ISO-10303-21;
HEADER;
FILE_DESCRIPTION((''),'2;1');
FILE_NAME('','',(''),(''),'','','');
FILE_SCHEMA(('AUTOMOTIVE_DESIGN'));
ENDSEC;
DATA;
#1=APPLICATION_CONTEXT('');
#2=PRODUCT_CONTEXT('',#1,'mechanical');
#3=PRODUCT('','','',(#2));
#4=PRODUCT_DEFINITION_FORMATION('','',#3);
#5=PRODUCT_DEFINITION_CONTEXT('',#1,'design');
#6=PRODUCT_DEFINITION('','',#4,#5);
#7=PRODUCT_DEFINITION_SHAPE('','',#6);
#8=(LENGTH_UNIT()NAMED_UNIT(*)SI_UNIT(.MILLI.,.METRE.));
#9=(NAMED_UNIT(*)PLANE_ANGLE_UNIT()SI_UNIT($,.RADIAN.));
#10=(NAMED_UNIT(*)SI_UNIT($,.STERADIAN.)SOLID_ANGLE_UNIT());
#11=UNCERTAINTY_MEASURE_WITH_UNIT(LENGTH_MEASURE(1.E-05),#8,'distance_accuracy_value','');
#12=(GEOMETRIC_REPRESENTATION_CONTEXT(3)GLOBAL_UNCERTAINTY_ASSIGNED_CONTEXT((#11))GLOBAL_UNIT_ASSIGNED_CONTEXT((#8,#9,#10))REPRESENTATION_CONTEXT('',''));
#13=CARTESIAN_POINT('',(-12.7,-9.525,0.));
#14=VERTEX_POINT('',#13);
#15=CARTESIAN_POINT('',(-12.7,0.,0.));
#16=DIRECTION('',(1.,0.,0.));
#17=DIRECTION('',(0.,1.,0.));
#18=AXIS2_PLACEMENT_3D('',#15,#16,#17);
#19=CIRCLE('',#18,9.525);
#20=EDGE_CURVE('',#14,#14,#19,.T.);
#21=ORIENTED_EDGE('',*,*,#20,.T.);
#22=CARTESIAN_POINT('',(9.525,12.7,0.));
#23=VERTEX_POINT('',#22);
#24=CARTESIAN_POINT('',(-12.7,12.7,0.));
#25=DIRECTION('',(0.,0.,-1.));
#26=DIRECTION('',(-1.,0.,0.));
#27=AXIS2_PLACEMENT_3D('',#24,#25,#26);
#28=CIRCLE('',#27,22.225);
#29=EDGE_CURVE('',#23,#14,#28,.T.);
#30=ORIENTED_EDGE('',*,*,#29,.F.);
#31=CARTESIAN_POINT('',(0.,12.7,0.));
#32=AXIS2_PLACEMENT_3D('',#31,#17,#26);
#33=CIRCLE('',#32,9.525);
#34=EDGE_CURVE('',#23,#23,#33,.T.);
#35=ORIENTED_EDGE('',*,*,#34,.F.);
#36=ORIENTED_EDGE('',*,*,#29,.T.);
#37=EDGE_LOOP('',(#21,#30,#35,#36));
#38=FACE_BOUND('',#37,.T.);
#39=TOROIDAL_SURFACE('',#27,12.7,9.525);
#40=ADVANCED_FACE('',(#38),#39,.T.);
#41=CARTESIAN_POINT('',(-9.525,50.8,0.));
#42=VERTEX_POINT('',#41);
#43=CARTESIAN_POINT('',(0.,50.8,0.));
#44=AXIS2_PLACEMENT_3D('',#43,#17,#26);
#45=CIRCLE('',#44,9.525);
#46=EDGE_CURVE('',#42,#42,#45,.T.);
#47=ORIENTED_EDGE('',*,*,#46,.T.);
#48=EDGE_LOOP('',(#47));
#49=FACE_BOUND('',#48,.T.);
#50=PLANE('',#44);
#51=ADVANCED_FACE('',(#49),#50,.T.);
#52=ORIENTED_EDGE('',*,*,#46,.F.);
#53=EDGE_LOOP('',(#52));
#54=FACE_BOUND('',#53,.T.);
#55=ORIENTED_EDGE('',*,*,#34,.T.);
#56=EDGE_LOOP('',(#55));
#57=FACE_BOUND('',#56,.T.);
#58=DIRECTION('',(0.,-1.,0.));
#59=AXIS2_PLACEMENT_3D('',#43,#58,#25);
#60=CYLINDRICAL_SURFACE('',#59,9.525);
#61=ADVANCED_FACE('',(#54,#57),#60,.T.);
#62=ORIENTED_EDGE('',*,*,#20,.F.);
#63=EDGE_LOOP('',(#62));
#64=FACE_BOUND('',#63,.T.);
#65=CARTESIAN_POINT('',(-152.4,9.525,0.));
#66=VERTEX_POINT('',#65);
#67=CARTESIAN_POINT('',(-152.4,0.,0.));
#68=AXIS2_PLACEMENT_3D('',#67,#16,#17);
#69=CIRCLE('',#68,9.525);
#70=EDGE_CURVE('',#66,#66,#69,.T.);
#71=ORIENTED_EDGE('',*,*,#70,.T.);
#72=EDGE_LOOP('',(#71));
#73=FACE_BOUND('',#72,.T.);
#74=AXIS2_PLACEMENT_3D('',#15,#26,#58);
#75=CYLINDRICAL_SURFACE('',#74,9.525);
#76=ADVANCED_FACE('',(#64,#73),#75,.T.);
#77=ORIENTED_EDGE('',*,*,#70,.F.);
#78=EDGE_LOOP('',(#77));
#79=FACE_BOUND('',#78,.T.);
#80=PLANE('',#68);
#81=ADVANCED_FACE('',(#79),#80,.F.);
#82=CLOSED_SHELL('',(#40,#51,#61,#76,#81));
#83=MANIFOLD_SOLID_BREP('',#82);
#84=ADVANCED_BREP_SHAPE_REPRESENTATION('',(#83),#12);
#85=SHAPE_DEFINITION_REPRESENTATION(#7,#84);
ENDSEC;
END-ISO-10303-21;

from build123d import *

# Parameters (mm, degrees)
SWEEP5_PROFILE_R = 9.525


with BuildPart() as part:
    # Sweep5: sweep along a path in Sketch1
    with BuildLine(Plane.XY) as sweep5_path:
        Line((0, 50.8), (0, 12.7))
        ThreePointArc((0, 12.7), (-3.719743879, 3.719743879), (-12.7, 0))
        Line((-12.7, 0), (-152.4, 0))
    # Sweep5 profile (on start of the path) → Sweep5 (sweep)
    with BuildSketch(Plane(origin=(0, 50.8, 0), x_dir=(0, 0, -1), z_dir=(0, -1, 0))):
        Circle(SWEEP5_PROFILE_R)
    sweep(path=sweep5_path.line)


solid = part.part
